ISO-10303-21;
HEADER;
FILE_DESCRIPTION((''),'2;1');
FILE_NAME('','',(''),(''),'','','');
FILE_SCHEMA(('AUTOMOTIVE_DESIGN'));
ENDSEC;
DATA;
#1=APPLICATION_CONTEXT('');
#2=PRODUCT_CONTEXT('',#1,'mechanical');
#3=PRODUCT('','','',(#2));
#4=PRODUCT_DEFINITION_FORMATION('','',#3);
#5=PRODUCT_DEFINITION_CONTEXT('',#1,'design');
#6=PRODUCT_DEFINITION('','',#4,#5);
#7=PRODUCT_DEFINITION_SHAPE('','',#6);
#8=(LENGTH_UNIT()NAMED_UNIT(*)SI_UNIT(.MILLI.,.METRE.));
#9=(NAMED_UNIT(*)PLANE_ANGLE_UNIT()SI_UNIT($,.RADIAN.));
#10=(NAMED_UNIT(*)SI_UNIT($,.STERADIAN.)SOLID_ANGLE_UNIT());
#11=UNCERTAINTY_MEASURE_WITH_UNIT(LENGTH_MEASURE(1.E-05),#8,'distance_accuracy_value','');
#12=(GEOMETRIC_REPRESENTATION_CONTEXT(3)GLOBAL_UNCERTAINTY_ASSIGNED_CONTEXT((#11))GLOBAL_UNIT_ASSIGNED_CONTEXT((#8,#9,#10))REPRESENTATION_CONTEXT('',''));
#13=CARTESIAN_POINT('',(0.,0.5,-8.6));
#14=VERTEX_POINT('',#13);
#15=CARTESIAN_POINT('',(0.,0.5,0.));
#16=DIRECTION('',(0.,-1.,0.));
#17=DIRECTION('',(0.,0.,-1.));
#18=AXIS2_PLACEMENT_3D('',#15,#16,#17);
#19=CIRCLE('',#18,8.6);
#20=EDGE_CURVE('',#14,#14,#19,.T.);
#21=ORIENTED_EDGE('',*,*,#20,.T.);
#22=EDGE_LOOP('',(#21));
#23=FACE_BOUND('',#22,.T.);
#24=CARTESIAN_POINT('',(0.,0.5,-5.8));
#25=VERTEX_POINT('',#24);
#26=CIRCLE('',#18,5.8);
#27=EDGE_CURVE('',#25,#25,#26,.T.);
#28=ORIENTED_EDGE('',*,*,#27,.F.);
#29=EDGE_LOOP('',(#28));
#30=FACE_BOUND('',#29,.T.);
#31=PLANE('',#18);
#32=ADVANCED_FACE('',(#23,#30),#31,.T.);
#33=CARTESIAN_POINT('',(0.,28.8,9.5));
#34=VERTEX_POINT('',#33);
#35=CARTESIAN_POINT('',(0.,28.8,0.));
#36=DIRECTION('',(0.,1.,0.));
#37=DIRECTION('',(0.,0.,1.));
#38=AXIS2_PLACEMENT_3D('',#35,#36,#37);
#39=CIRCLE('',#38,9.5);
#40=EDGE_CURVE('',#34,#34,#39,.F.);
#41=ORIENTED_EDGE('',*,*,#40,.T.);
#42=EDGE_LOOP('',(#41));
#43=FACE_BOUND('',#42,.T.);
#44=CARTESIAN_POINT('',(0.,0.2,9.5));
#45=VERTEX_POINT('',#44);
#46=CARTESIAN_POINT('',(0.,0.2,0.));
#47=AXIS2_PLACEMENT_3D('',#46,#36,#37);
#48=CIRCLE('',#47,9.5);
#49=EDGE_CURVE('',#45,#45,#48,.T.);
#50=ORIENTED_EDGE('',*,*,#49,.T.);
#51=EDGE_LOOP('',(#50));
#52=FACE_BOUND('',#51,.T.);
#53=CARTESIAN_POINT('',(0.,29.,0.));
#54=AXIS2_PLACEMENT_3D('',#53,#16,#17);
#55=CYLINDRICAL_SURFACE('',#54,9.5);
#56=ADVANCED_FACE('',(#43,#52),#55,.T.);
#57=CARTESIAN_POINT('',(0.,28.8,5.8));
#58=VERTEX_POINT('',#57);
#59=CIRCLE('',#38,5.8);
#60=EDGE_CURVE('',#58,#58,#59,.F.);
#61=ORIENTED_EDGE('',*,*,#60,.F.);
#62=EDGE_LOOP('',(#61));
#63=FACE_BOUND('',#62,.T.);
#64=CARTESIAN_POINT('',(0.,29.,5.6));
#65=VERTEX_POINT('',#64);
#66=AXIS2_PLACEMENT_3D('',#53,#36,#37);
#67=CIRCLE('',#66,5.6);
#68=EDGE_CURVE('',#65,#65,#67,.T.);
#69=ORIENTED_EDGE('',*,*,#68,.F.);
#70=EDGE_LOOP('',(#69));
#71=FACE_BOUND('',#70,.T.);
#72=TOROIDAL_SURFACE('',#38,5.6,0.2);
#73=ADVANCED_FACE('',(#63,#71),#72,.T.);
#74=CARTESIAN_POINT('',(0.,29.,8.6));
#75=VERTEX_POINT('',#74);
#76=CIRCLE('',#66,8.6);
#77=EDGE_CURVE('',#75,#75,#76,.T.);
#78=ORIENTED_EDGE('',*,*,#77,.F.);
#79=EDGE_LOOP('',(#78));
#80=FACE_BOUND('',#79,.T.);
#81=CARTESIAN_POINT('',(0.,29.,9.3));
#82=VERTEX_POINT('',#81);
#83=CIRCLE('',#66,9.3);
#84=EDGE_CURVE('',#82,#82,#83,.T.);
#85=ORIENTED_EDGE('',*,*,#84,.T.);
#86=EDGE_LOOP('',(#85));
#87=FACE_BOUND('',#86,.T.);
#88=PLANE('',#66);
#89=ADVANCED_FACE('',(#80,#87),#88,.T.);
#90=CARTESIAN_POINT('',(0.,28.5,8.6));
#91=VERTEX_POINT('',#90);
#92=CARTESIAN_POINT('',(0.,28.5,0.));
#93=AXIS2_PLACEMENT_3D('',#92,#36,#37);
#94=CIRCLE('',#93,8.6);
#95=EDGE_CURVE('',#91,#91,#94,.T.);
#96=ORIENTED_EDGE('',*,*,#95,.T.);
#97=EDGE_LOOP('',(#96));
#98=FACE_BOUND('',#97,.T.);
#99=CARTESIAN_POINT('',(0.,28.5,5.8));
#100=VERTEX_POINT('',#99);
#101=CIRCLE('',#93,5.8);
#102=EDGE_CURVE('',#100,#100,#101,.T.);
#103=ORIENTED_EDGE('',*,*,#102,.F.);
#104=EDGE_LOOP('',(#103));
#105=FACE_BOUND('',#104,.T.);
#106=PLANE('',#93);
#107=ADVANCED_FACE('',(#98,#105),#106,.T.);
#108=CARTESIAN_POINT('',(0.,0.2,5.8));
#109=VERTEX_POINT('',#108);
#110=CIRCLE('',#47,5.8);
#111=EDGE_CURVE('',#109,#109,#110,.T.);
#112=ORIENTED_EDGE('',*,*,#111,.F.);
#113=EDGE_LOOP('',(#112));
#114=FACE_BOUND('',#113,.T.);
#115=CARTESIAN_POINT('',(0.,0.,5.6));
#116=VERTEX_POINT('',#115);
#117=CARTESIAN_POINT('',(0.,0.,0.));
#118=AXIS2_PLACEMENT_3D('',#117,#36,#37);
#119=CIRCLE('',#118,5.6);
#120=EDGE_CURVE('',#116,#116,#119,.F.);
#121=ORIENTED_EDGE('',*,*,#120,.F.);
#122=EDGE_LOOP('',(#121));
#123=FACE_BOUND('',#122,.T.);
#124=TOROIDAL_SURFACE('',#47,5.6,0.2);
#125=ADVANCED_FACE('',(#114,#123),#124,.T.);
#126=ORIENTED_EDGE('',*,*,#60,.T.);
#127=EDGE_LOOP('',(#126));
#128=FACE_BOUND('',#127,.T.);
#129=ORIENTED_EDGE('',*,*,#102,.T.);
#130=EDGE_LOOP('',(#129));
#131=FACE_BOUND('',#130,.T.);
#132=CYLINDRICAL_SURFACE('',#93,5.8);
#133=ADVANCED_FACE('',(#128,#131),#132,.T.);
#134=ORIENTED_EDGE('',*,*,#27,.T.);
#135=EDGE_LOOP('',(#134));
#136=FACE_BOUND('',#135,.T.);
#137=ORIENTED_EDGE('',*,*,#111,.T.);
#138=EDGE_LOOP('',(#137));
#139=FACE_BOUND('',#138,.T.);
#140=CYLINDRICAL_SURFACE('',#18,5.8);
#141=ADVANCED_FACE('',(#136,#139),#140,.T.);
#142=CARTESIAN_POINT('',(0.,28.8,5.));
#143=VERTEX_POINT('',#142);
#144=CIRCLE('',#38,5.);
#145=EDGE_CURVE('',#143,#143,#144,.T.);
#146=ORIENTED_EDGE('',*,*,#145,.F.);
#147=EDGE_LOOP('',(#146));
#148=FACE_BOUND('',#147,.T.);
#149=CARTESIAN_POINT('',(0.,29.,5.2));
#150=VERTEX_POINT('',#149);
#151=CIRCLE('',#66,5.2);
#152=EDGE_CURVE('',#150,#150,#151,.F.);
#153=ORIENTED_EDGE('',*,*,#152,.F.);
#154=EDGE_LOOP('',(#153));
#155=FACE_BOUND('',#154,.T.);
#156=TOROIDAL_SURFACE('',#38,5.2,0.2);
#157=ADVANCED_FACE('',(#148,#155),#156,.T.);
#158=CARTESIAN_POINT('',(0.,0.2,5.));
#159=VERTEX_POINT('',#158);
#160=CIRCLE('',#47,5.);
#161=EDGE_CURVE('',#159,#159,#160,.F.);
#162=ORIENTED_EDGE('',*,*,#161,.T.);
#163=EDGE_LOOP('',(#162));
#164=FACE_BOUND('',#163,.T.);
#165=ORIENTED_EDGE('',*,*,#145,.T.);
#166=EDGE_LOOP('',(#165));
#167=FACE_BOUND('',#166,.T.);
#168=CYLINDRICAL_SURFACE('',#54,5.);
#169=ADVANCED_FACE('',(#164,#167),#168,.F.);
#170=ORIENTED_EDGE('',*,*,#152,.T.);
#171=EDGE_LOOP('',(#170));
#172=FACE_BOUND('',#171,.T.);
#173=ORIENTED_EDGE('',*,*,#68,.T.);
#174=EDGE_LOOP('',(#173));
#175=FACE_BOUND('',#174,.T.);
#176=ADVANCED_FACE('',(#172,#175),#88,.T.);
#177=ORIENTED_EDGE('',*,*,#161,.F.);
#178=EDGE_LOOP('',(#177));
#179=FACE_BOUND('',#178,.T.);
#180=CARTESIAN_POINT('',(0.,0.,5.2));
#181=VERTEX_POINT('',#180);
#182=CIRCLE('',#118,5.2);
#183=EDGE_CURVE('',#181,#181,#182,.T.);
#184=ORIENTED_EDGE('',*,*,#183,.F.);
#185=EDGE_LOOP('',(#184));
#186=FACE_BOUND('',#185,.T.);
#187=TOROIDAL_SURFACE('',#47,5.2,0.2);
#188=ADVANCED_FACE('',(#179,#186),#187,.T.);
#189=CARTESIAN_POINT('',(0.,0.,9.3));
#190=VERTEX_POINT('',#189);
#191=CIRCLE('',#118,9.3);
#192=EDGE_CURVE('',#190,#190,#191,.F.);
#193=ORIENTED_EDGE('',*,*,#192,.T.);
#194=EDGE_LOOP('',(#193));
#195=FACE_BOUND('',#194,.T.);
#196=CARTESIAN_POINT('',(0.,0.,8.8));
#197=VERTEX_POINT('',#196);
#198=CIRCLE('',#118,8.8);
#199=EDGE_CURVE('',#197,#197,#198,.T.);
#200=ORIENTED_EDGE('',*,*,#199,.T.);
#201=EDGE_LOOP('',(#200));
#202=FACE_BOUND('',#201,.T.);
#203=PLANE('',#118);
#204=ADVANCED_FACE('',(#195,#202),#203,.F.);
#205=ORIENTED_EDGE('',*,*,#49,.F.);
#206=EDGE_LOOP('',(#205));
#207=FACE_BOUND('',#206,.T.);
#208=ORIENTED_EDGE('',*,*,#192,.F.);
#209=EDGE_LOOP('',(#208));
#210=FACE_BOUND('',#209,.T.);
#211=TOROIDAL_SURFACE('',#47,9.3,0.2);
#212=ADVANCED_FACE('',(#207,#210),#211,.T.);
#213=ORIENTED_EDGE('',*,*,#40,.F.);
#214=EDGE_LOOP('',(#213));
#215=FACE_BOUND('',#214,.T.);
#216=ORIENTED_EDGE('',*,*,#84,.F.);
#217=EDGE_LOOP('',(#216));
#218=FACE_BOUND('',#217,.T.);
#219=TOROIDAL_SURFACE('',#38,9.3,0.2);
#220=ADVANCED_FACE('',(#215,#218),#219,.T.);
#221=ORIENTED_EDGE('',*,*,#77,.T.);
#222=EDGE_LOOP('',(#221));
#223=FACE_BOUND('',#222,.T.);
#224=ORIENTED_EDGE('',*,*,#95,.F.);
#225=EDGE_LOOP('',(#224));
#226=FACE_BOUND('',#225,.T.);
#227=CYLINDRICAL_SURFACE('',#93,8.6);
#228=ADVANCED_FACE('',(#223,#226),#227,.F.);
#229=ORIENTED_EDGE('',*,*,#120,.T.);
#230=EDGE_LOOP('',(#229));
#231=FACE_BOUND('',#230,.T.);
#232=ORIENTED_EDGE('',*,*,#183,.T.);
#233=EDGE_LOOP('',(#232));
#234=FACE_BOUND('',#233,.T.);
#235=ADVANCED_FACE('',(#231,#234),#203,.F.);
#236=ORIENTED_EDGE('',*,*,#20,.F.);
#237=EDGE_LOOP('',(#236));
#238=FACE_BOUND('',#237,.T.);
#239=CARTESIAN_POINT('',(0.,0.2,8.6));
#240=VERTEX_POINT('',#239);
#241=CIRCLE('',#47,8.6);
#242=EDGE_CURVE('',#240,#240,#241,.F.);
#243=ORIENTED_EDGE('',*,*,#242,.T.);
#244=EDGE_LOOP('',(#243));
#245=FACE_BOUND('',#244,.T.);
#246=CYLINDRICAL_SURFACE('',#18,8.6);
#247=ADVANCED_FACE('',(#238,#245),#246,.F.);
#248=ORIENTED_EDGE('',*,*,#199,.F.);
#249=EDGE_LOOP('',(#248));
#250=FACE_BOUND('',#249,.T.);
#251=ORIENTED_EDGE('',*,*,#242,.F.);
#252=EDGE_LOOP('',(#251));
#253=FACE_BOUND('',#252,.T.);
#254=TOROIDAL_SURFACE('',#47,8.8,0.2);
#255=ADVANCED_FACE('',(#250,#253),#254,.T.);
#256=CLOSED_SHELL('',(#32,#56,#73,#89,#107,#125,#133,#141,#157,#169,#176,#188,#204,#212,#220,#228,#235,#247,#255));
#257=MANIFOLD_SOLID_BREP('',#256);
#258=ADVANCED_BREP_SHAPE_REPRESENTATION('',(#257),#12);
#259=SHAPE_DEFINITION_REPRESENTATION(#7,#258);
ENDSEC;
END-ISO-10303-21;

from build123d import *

# Parameters (mm, degrees)
SKETCH1_R           = 9.5
SKETCH1_R_2         = 5
BOSS_EXTRUDE1_DEPTH = 29
SKETCH2_R           = 8.6
SKETCH2_R_2         = 5.8
CUT_EXTRUDE1_DEPTH  = 0.5
SKETCH3_R           = 8.6
SKETCH3_R_2         = 5.8
CUT_EXTRUDE2_DEPTH  = 0.5
FILLET1_R           = 0.2


with BuildPart() as part:
    # Sketch1 → Boss-Extrude1 (new body)
    with BuildSketch(Plane(origin=(0, 0, 0), x_dir=(1, 0, 0), z_dir=(0, 1, 0))):
        Circle(SKETCH1_R)
        Circle(SKETCH1_R_2, mode=Mode.SUBTRACT)
    extrude(amount=BOSS_EXTRUDE1_DEPTH)

    # Sketch2 → Cut-Extrude1 (cut)
    with BuildSketch(Plane(origin=(0, 29, 0), x_dir=(1, 0, 0), z_dir=(0, 1, 0))):
        Circle(SKETCH2_R)
        Circle(SKETCH2_R_2, mode=Mode.SUBTRACT)
    extrude(amount=-CUT_EXTRUDE1_DEPTH, mode=Mode.SUBTRACT)

    # Sketch3 → Cut-Extrude2 (cut)
    with BuildSketch(Plane.XZ):
        Circle(SKETCH3_R)
        Circle(SKETCH3_R_2, mode=Mode.SUBTRACT)
    extrude(amount=-CUT_EXTRUDE2_DEPTH, mode=Mode.SUBTRACT)

    # Fillet1
    fillet1_edges = [part.edges().sort_by_distance(p)[0] for p in [
        (-9.5, 0, 0),
        (-9.5, 29, 0),
        (-8.6, 0, 0),
        (-5.8, 0, 0),
        (-5.8, 29, 0),
        (-5, 0, 0),
        (-5, 29, 0),
    ]]
    fillet(fillet1_edges, radius=FILLET1_R)


solid = part.part
